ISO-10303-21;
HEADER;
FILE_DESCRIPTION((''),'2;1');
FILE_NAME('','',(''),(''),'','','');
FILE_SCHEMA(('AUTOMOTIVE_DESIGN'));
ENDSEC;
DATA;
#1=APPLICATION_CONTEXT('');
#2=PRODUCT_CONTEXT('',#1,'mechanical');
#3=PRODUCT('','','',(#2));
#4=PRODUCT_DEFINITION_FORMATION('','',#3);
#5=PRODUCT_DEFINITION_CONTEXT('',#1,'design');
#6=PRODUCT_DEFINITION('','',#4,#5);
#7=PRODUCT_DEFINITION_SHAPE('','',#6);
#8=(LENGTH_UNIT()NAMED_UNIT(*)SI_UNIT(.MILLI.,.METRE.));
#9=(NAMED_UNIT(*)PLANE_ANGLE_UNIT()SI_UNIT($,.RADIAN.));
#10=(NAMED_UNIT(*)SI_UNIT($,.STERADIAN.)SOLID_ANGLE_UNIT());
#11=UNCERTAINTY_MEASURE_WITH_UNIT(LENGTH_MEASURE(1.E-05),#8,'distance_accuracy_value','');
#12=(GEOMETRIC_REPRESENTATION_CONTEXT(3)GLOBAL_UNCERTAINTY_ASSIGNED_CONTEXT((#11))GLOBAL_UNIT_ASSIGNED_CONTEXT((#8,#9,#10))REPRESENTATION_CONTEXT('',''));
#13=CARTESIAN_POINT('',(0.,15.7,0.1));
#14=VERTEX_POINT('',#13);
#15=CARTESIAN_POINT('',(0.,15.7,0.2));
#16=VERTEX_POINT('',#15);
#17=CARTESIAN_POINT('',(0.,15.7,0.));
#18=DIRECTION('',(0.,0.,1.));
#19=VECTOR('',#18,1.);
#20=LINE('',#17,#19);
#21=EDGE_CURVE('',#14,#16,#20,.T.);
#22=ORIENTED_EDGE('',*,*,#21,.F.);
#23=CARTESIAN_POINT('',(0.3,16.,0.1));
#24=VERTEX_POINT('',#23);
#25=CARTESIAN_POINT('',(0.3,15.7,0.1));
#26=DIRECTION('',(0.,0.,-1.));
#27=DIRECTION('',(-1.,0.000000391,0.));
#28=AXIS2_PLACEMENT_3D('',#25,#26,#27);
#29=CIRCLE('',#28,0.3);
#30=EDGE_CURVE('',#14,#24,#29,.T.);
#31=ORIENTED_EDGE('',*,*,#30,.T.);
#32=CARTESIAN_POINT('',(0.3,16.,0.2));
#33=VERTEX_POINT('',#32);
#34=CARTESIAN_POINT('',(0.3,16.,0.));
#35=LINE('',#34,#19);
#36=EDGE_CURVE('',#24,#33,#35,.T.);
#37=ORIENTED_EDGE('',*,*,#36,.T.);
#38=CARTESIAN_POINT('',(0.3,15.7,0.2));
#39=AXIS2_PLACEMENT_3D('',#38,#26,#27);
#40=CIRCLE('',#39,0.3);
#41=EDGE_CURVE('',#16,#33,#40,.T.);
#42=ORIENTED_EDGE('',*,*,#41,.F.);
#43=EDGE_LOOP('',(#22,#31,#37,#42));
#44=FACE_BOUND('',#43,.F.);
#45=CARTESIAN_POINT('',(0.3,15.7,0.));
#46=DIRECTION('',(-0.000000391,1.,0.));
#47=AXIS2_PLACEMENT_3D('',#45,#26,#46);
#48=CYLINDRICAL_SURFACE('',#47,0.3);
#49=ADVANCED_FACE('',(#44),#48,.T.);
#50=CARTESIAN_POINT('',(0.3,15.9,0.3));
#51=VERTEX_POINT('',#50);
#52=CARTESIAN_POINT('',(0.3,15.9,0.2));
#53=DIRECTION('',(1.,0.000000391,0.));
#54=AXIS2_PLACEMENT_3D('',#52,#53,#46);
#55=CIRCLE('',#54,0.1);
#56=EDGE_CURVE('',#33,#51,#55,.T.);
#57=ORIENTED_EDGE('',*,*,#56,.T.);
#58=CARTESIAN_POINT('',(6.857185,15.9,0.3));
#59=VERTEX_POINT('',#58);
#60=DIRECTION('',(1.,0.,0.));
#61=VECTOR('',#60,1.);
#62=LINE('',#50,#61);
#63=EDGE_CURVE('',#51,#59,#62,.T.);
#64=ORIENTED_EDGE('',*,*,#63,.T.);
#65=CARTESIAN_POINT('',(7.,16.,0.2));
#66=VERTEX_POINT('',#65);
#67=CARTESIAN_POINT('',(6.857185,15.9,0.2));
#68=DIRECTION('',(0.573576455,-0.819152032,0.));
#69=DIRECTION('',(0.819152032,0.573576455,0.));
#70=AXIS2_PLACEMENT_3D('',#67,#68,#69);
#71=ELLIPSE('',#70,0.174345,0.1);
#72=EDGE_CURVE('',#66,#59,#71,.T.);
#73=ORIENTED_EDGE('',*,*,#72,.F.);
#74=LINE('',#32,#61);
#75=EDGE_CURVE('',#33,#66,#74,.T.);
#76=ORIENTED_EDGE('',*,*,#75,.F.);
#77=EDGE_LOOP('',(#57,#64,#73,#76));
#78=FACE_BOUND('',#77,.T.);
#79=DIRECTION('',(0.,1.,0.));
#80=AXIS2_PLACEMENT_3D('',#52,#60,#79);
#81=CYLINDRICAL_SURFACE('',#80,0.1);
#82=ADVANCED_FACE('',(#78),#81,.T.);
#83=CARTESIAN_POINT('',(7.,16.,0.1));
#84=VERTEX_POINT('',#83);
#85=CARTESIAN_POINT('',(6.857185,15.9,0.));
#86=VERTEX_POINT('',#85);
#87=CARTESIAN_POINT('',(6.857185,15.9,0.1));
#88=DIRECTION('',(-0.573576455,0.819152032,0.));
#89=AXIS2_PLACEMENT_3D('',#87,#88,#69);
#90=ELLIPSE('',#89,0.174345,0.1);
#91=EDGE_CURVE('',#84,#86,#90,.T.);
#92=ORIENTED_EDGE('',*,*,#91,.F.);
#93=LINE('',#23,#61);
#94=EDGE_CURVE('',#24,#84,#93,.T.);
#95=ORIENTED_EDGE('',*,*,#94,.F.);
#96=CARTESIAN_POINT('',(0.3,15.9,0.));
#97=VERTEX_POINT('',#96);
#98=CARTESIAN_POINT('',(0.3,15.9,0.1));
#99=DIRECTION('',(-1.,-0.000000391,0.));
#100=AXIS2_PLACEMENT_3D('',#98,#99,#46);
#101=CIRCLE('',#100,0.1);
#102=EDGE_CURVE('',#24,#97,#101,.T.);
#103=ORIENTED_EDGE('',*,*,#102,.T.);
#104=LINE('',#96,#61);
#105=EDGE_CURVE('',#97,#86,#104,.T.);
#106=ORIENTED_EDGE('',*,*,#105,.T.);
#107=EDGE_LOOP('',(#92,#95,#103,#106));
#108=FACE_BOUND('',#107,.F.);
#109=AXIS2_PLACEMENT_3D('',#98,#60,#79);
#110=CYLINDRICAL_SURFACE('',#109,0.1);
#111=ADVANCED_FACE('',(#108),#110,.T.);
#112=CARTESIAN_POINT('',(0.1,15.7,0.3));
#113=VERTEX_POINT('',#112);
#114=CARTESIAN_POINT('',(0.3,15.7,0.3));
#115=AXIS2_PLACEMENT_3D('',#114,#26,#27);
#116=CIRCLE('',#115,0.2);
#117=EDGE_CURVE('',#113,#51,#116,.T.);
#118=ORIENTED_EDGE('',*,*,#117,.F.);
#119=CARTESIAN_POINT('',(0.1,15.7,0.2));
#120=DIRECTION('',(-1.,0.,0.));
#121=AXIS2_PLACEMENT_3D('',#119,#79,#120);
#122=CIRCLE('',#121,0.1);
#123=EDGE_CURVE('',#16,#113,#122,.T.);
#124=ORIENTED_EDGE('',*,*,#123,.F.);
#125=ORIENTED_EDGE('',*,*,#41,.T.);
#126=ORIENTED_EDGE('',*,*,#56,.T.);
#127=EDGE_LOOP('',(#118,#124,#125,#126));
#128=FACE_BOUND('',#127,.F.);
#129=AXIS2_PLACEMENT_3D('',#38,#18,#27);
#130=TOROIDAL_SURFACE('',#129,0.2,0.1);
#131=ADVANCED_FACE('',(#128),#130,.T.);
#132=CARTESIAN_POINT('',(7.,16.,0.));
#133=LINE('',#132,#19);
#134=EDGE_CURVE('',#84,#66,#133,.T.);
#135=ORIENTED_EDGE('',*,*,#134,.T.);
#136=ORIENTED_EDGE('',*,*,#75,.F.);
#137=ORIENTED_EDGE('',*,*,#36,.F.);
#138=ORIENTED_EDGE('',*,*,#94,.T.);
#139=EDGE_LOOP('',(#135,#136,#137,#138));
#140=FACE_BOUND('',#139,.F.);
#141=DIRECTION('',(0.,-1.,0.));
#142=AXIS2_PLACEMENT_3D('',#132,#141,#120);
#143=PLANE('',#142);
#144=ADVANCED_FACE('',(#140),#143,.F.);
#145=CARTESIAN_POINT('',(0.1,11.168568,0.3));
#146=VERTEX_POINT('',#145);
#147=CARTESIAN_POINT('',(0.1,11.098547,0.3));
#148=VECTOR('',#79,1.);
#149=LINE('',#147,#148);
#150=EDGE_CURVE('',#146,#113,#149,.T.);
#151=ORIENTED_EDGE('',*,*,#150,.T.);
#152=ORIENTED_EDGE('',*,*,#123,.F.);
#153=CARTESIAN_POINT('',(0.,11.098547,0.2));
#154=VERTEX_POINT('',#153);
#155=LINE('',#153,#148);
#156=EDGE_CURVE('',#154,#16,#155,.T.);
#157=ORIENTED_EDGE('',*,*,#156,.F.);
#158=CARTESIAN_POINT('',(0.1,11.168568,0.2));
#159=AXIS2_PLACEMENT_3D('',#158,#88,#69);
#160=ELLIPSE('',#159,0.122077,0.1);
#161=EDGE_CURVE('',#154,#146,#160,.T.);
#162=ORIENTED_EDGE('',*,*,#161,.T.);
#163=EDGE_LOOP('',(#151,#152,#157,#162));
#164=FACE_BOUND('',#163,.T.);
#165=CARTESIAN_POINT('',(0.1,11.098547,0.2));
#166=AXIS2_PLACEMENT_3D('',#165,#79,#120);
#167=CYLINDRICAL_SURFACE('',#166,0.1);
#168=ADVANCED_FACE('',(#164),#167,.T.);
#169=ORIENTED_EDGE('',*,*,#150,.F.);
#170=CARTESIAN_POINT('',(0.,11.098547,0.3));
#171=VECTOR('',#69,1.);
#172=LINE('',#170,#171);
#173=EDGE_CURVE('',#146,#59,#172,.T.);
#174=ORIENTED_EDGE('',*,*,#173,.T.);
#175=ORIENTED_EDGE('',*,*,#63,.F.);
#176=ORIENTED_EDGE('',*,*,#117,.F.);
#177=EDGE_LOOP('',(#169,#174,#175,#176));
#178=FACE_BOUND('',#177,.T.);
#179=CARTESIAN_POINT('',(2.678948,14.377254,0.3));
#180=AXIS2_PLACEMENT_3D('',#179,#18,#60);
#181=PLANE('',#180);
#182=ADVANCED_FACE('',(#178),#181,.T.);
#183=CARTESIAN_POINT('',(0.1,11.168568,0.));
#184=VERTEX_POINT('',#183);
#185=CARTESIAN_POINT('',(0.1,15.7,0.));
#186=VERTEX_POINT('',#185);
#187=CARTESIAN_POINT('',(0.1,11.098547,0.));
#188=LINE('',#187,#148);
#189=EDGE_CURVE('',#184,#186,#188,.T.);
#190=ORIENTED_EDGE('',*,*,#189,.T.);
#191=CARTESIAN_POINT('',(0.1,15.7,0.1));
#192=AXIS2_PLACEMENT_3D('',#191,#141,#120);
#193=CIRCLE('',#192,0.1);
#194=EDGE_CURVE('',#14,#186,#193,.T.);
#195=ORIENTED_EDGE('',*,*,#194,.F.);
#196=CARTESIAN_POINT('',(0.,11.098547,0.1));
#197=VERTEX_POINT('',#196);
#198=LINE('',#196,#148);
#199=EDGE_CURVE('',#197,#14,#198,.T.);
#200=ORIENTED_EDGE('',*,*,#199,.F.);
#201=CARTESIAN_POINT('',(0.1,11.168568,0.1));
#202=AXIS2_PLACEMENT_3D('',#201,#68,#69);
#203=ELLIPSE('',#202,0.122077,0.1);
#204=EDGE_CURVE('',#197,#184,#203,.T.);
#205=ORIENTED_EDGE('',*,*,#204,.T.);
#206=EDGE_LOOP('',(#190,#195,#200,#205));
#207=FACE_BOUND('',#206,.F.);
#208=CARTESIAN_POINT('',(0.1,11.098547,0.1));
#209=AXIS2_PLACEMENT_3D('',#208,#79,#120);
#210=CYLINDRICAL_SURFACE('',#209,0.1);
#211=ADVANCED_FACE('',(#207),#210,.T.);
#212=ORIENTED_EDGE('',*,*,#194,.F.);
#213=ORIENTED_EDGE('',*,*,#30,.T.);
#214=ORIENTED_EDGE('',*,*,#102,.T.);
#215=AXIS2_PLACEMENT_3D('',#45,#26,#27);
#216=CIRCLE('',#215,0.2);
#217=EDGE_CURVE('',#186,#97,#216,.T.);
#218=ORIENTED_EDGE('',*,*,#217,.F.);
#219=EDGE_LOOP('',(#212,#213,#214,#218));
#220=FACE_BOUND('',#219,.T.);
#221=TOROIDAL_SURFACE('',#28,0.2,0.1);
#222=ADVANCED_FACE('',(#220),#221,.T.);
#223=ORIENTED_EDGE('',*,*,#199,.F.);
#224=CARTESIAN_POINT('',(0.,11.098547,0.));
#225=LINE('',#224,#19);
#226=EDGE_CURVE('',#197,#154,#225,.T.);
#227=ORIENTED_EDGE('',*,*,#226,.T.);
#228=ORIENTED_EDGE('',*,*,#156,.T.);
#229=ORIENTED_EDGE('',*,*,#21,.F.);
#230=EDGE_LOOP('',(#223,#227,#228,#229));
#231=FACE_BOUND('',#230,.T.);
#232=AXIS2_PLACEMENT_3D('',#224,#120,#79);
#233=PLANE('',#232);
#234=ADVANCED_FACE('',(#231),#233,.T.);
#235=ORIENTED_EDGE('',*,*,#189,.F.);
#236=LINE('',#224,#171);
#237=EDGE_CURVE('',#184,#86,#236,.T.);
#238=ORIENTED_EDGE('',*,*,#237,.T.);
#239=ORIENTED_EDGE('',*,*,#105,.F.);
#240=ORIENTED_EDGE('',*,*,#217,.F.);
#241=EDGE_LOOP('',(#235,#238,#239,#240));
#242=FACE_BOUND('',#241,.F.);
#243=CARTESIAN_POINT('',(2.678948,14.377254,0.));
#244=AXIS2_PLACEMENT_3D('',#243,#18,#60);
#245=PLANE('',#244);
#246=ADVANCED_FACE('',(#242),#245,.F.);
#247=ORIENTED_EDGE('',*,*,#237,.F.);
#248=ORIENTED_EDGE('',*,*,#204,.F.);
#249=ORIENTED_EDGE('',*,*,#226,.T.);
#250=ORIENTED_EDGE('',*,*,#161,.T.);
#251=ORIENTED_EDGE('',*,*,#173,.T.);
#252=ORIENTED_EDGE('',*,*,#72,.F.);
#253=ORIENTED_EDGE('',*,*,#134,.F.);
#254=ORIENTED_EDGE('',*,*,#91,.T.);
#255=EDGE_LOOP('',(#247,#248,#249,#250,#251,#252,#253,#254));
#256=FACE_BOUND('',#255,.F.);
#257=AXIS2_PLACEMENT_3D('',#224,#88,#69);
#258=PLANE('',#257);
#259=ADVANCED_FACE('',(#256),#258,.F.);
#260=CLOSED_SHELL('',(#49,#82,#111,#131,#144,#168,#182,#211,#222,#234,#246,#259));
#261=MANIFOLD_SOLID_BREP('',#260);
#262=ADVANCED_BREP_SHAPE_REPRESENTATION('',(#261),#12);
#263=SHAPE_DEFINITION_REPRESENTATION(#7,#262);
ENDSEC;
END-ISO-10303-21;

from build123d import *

# Parameters (mm, degrees)
PAD001_DEPTH = 0.3
FILLET004_R  = 0.1
FILLET005_R  = 0.1


with BuildPart() as part:
    # Sketch002 → Pad001 (new body)
    with BuildSketch(Plane.XY):
        with BuildLine():
            Line((0, 11.098547), (7, 16))
            Line((7, 16), (0.3, 16))
            ThreePointArc((0.3, 16), (0.087868, 15.912132), (0, 15.7))
            Line((0, 11.098547), (0, 15.7))
        make_face()
    extrude(amount=PAD001_DEPTH)

    # Fillet004
    fillet004_edges = [part.edges().sort_by_distance(p)[0] for p in [
        (0, 13.399274, 0.3),
        (0.087868, 15.912132, 0.3),
        (3.65, 16, 0.3),
    ]]
    fillet(fillet004_edges, radius=FILLET004_R)

    # Fillet005
    fillet005_edges = [part.edges().sort_by_distance(p)[0] for p in [
        (0, 13.399274, 0),
        (0.087868, 15.912132, 0),
        (3.65, 16, 0),
    ]]
    fillet(fillet005_edges, radius=FILLET005_R)


solid = part.part
